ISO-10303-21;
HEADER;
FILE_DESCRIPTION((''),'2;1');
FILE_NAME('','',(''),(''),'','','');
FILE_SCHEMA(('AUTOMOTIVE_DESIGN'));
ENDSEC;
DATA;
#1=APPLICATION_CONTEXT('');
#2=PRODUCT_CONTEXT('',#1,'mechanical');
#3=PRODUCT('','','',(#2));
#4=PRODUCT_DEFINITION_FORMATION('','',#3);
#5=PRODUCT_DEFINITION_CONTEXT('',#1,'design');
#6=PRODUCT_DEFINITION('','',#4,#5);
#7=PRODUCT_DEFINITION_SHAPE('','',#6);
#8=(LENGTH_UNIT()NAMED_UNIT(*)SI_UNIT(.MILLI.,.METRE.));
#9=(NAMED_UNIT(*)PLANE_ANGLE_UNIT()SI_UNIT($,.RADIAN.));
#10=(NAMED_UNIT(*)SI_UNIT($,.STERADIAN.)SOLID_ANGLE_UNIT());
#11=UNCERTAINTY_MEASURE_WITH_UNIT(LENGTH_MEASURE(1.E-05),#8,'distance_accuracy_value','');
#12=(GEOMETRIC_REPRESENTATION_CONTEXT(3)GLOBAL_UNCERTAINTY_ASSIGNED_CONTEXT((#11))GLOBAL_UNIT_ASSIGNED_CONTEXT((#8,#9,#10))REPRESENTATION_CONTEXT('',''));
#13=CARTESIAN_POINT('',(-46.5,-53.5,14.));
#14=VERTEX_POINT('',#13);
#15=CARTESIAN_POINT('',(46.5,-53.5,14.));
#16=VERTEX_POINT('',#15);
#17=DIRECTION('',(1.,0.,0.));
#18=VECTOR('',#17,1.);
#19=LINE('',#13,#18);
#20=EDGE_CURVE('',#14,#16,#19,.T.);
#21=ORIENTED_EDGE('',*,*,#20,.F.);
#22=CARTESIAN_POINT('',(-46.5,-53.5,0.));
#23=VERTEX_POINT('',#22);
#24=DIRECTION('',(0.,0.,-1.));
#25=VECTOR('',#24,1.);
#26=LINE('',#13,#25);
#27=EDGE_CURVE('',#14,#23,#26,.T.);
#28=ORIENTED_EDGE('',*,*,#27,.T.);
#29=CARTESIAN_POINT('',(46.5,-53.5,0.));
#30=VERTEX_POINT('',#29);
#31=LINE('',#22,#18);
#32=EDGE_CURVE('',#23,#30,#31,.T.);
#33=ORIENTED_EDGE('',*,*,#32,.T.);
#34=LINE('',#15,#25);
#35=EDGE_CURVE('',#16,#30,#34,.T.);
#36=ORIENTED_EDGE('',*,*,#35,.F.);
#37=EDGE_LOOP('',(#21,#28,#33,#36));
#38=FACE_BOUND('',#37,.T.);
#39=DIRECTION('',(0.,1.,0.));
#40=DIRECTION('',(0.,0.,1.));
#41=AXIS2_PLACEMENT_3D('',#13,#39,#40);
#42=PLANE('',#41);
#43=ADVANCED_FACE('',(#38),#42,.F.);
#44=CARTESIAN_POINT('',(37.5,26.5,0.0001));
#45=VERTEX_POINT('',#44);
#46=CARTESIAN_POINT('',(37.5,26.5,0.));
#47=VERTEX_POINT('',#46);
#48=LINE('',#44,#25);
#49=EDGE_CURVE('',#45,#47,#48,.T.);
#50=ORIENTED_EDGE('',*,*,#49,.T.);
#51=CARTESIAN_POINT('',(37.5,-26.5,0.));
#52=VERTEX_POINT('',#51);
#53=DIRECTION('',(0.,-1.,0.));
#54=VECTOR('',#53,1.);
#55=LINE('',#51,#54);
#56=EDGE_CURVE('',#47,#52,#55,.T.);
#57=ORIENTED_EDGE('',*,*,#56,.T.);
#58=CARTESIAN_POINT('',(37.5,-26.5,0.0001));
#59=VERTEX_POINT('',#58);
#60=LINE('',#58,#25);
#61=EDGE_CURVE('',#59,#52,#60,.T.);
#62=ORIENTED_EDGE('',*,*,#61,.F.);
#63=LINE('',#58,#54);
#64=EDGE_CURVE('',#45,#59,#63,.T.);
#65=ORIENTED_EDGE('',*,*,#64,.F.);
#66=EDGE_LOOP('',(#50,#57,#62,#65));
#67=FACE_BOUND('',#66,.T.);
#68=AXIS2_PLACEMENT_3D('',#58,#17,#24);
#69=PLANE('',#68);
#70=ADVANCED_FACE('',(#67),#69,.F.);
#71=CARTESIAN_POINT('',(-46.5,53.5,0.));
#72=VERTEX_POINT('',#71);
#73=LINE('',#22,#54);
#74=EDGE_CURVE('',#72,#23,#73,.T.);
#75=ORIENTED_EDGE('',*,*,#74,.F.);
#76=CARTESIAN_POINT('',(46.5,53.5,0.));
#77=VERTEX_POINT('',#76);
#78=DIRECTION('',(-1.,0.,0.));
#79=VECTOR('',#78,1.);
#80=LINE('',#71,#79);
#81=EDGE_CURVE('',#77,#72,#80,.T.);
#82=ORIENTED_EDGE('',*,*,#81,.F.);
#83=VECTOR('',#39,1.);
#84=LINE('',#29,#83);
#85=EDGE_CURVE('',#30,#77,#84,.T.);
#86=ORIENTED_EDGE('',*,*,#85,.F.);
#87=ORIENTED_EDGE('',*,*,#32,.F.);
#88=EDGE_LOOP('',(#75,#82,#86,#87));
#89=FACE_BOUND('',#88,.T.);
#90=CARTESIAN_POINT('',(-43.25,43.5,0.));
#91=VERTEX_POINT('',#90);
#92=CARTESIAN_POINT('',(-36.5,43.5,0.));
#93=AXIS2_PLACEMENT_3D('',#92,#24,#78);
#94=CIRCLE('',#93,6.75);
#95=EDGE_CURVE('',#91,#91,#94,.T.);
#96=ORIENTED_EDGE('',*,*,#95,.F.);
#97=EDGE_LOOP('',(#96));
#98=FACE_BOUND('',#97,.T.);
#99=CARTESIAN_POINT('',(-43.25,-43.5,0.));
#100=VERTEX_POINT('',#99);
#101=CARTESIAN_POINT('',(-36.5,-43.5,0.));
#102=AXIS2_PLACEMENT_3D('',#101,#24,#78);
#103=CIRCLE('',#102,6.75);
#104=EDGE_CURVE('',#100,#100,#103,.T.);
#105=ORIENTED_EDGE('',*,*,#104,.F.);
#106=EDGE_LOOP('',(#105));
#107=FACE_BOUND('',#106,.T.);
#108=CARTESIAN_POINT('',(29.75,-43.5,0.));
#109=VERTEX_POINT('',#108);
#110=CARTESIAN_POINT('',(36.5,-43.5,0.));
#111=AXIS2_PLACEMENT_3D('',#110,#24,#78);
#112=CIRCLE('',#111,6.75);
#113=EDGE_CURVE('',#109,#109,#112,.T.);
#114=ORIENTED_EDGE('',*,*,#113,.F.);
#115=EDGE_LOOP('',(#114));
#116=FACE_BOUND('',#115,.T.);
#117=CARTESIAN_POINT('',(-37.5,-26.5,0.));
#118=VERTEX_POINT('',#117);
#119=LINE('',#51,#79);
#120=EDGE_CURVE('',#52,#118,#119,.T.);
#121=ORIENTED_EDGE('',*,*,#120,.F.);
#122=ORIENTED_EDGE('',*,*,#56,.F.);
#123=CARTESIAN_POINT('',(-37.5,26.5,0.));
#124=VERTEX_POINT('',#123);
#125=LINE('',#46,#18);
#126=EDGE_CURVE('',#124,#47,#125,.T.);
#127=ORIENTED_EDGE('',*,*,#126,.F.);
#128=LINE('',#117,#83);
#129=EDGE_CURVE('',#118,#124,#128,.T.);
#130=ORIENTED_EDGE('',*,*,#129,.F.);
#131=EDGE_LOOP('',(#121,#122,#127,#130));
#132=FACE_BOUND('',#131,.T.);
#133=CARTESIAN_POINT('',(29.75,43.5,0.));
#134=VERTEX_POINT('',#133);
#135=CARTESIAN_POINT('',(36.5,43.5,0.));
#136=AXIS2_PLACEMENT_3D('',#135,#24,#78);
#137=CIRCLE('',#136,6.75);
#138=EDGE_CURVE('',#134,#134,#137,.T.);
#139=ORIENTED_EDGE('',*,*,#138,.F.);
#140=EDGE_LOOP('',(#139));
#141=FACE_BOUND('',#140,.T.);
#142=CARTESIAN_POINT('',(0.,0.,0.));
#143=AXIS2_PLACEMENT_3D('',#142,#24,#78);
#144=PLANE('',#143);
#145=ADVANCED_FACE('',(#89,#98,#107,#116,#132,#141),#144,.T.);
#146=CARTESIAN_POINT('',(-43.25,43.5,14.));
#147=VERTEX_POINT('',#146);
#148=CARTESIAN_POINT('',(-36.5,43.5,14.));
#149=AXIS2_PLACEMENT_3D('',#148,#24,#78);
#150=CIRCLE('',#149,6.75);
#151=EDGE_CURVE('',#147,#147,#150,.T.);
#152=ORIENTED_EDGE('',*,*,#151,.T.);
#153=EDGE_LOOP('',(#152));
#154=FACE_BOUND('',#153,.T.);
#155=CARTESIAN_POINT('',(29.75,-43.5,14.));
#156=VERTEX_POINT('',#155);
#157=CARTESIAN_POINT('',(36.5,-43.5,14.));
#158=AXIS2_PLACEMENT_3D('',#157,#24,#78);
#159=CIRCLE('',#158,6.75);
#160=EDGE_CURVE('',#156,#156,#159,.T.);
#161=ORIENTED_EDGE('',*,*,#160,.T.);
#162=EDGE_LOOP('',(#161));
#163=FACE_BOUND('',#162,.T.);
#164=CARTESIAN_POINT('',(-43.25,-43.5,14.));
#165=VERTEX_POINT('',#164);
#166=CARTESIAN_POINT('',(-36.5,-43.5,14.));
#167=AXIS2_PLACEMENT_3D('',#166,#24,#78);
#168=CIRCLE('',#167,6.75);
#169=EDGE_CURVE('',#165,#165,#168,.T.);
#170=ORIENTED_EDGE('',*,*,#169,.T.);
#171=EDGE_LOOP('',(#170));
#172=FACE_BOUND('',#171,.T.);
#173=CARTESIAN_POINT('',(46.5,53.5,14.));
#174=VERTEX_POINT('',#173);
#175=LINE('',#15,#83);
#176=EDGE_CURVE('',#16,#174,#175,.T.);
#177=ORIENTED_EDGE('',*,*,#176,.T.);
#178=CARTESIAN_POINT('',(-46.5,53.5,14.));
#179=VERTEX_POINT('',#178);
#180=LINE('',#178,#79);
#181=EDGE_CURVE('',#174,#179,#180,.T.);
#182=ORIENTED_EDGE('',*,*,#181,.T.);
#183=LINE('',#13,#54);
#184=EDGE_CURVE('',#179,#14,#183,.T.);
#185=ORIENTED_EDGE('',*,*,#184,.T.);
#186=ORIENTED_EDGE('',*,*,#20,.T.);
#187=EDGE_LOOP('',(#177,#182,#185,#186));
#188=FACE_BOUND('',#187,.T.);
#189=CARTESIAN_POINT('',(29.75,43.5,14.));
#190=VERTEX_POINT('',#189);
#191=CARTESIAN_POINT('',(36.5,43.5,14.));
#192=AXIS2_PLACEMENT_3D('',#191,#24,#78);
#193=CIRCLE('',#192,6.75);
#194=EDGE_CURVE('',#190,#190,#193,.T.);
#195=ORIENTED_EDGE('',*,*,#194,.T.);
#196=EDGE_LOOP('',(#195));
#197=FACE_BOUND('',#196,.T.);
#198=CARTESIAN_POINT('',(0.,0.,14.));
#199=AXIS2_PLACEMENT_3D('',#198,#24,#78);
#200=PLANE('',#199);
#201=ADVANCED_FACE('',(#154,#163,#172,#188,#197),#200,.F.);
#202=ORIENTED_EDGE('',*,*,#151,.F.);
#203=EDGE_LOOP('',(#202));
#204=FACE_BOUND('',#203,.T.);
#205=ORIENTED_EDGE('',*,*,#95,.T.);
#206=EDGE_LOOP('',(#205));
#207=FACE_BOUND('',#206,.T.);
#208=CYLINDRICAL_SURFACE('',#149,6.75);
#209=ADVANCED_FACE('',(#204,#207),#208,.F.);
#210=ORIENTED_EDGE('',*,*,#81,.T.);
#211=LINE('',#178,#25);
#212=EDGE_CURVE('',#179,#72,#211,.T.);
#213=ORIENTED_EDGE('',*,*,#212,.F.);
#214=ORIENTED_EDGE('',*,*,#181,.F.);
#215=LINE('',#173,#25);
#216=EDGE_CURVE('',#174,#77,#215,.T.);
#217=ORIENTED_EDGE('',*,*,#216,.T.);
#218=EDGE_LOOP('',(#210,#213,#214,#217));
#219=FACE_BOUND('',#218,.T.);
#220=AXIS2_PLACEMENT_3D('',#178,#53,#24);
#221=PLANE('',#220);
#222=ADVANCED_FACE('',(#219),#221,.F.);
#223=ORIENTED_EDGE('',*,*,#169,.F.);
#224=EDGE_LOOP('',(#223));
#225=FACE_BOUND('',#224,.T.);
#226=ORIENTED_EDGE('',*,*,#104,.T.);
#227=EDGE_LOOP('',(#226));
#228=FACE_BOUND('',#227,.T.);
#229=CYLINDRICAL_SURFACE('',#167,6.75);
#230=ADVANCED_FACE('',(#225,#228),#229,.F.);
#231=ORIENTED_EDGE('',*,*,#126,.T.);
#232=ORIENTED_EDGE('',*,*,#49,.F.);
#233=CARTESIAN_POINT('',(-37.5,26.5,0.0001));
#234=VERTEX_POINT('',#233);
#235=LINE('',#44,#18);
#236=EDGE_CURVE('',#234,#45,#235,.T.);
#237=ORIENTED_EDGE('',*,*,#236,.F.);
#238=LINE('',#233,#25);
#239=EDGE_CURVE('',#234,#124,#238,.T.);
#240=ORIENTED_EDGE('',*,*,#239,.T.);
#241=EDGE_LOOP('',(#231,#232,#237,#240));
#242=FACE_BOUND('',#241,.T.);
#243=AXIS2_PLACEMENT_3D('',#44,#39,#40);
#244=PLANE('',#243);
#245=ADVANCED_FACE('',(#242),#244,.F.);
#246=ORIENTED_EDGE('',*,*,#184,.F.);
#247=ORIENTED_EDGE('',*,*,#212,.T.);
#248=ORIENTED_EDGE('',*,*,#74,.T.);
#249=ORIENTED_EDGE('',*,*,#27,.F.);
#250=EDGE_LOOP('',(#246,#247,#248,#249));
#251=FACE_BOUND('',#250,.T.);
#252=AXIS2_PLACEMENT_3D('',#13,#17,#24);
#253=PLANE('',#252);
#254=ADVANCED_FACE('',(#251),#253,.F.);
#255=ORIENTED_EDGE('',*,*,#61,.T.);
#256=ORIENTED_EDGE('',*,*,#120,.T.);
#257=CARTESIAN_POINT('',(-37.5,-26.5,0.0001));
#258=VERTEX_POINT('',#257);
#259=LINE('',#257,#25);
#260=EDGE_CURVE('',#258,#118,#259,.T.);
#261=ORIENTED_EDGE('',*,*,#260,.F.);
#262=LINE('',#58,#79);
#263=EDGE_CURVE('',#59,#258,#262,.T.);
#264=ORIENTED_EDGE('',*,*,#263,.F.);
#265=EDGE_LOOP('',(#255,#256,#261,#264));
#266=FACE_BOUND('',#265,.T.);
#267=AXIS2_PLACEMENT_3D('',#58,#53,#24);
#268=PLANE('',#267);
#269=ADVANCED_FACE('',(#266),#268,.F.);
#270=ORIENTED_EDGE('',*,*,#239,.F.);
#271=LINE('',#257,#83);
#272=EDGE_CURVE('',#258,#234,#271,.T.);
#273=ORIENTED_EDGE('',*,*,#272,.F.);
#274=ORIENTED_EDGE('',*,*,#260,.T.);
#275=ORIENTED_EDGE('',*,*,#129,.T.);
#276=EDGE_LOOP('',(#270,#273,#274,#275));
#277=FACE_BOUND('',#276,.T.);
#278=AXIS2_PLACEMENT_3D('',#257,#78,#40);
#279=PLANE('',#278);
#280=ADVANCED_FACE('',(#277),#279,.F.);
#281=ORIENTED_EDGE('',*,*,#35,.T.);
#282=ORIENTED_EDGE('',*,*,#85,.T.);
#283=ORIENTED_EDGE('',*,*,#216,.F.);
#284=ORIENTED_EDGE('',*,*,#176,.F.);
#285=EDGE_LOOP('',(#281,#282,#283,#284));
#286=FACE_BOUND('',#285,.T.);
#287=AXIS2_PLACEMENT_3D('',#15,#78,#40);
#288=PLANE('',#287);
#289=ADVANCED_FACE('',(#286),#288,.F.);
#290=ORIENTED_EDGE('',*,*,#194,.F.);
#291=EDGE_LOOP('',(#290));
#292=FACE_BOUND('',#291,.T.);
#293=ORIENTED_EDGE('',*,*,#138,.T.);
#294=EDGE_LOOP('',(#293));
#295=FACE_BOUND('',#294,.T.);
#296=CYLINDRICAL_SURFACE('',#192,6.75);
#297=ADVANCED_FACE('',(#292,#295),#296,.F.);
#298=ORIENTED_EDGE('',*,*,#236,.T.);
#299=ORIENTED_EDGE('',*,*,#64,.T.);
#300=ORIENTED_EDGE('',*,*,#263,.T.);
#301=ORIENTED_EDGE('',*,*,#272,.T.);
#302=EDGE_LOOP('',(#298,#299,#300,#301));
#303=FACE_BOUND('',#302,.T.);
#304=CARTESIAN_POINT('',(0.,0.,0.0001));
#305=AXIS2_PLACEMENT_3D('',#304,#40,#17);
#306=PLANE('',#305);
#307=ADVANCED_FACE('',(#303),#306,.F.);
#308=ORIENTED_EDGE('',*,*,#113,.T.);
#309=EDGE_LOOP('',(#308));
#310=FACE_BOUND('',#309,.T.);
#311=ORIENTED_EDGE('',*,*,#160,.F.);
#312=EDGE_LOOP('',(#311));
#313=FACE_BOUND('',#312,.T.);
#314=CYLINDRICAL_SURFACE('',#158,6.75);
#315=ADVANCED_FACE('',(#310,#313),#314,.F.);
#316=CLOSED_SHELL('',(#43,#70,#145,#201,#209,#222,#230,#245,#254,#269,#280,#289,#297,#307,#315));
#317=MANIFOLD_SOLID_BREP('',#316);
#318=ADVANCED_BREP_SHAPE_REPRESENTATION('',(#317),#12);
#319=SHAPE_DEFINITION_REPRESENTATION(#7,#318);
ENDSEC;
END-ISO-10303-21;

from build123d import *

# Parameters (mm, degrees)
SKICA1_W                 = 93
SKICA1_H                 = 107
P_IDAT_VYSUNUT_M1_DEPTH  = 14
SKICA2_R                 = 6.75
ODEBRAT_VYSUNUT_M1_DEPTH = 15
SKICA4_W                 = 75
SKICA4_H                 = 53
ODEBRAT_VYSUNUT_M2_DEPTH = 0.0001


with BuildPart() as part:
    # Skica1 → Přidat vysunutím1 (new body)
    with BuildSketch(Plane.XY):
        Rectangle(SKICA1_W, SKICA1_H)
    extrude(amount=P_IDAT_VYSUNUT_M1_DEPTH)

    # Skica2 → Odebrat vysunutím1 (cut, through all)
    with BuildSketch(Plane(origin=(0, 0, 0), x_dir=(-1, 0, 0), z_dir=(0, 0, -1))):
        with Locations((-36.5, 43.5)):
            Circle(SKICA2_R)
        with Locations((36.5, 43.5)):
            Circle(SKICA2_R)
        with Locations((36.5, -43.5)):
            Circle(SKICA2_R)
        with Locations((-36.5, -43.5)):
            Circle(SKICA2_R)
    extrude(amount=-ODEBRAT_VYSUNUT_M1_DEPTH, mode=Mode.SUBTRACT)

    # Skica4 → Odebrat vysunutím2 (cut)
    with BuildSketch(Plane(origin=(0, 0, 0), x_dir=(-1, 0, 0), z_dir=(0, 0, -1))):
        Rectangle(SKICA4_W, SKICA4_H)
    extrude(amount=-ODEBRAT_VYSUNUT_M2_DEPTH, mode=Mode.SUBTRACT)


solid = part.part
